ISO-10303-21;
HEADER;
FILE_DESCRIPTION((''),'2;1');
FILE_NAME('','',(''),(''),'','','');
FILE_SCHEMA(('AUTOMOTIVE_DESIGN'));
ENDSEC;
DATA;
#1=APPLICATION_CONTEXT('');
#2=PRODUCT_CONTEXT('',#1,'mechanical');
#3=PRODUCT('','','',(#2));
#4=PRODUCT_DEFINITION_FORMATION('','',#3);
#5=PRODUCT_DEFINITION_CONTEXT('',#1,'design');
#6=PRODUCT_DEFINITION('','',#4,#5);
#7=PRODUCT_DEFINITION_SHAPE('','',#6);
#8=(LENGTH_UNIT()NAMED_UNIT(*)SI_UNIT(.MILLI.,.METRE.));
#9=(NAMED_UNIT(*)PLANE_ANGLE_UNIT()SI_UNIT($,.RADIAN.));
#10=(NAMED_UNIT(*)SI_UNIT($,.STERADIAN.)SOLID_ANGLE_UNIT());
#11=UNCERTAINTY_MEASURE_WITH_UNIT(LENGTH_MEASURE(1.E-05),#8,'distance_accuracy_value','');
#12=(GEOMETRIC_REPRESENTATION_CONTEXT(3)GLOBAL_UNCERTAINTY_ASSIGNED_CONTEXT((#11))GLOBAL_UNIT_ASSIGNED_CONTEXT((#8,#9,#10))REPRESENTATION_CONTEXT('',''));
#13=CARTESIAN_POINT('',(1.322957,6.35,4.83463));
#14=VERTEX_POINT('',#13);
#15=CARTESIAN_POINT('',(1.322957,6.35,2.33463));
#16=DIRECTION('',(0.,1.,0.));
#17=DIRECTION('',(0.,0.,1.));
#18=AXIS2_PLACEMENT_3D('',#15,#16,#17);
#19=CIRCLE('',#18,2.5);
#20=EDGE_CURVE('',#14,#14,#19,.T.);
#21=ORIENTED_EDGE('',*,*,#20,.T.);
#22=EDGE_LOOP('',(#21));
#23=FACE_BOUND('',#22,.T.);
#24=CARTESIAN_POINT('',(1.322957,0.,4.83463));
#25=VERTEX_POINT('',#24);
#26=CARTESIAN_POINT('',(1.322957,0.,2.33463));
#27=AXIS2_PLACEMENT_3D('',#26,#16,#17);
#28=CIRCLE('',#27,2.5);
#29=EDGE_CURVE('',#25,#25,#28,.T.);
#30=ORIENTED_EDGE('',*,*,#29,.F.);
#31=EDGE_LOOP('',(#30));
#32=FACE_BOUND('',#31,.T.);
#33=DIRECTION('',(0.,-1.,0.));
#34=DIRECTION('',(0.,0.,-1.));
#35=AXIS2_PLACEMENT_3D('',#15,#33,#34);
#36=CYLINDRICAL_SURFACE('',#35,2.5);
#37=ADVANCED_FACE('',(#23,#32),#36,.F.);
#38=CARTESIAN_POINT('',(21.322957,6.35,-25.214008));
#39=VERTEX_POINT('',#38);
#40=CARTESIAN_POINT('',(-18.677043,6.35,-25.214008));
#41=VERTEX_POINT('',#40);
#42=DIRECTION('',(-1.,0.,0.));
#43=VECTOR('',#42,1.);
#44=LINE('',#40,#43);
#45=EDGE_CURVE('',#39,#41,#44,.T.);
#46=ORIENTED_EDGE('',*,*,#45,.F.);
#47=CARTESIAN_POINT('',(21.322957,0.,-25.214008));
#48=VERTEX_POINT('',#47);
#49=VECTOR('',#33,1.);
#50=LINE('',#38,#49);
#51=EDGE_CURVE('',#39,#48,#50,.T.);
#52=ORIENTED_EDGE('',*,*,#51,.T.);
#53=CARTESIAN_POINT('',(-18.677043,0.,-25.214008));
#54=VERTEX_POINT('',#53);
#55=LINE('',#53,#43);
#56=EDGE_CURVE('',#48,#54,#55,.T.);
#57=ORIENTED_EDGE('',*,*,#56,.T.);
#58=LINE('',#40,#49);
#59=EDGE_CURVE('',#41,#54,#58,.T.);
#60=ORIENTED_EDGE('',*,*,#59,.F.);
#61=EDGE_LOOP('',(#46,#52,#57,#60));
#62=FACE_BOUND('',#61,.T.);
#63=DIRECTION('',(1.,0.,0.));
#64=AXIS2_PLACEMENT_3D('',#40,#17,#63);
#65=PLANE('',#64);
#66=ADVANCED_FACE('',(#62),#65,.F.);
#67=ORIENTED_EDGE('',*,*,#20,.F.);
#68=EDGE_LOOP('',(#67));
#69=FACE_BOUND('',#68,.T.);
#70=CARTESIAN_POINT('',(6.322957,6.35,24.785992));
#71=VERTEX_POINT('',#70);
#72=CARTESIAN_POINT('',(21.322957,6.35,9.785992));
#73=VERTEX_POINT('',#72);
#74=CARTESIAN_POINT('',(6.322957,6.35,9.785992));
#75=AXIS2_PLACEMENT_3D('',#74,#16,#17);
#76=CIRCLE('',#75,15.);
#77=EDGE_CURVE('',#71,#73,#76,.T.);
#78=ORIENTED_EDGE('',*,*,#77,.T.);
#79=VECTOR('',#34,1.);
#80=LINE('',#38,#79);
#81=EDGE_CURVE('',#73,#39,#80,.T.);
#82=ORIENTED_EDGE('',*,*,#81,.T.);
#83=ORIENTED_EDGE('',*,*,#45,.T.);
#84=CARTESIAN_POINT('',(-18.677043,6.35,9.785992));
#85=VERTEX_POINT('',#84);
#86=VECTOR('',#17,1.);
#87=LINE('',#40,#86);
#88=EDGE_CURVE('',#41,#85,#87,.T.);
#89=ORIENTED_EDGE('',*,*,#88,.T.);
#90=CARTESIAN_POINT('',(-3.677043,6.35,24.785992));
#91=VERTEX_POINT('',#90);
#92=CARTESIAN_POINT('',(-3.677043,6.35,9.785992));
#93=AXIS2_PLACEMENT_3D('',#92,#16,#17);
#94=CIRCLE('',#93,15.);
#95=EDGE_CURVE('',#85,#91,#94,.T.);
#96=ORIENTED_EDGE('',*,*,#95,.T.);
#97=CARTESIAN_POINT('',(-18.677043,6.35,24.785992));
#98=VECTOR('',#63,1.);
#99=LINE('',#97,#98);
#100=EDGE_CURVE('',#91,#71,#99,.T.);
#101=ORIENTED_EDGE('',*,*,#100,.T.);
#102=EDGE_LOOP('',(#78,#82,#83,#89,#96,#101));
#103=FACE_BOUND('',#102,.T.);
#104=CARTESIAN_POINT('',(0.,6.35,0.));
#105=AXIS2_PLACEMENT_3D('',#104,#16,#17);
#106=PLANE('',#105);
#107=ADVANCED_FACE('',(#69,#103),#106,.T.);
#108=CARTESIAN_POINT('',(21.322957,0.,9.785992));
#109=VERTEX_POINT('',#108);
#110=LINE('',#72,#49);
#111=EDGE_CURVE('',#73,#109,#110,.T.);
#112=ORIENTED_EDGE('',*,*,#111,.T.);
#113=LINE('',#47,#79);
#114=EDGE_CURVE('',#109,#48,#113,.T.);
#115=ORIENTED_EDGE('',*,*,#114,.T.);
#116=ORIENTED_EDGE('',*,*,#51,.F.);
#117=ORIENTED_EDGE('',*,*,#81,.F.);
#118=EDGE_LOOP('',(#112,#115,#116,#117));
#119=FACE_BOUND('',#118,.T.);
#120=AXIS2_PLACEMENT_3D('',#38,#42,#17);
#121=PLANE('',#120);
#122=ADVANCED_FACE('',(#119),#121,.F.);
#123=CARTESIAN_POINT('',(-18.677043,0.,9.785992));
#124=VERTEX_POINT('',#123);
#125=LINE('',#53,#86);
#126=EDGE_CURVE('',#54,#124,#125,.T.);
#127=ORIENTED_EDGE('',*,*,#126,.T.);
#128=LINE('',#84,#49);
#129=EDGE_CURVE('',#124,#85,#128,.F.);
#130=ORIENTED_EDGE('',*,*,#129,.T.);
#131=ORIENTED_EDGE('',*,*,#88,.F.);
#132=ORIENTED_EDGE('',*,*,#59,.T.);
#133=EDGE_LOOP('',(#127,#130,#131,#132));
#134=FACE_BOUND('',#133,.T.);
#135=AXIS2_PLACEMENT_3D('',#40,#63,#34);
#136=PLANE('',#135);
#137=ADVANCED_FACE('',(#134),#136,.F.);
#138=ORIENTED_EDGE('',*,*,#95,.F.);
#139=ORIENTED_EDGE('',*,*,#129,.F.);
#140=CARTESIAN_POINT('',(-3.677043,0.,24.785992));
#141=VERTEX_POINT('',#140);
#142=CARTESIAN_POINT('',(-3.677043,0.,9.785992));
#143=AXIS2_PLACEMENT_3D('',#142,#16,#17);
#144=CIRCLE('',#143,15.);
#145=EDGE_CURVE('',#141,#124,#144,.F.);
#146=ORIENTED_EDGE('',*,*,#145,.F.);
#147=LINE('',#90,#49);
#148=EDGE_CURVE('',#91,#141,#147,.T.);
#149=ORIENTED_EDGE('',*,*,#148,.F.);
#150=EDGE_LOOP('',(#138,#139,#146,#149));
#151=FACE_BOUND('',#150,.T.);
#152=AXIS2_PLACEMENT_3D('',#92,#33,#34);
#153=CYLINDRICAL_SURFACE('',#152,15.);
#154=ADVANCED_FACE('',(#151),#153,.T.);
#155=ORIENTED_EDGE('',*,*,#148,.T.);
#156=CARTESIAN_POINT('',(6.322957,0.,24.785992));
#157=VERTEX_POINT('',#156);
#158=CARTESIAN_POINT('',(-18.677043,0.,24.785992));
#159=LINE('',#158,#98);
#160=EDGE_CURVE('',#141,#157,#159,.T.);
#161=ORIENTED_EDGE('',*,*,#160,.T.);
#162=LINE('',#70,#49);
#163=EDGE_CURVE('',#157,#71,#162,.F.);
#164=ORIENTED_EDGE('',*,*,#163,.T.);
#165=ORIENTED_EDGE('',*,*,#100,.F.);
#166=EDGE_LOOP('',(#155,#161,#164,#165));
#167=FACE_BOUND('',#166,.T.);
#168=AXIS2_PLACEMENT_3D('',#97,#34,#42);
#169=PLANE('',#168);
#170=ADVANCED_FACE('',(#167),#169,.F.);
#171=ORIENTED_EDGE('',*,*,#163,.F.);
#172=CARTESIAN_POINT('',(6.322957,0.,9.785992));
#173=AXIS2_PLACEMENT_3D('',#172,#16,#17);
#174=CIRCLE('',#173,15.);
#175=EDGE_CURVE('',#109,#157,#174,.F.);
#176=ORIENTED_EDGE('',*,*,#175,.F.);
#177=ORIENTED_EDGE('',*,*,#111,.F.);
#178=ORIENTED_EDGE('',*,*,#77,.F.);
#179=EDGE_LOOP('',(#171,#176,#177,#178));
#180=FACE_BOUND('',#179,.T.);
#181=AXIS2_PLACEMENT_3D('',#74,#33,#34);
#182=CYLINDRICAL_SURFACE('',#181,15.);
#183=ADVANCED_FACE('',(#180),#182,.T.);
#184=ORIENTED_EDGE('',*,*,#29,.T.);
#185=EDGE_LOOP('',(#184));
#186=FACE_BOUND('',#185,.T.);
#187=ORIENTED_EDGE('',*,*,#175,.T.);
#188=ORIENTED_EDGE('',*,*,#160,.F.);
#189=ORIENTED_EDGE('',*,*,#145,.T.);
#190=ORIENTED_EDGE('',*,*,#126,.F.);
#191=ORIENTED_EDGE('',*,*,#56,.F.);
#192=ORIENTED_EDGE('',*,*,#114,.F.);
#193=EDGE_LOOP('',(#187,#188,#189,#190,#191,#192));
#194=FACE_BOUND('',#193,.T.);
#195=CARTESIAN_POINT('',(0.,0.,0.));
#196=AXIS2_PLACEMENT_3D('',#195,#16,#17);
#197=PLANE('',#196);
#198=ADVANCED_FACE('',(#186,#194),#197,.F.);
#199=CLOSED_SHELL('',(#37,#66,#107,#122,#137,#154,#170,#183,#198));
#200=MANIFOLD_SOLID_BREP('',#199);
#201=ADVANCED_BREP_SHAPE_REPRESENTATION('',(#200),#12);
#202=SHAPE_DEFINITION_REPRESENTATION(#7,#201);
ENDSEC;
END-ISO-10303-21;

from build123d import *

# Parameters (mm, degrees)
SKETCH1_W           = 40
SKETCH1_H           = 50
SKETCH1_R           = 2.5
BOSS_EXTRUDE1_DEPTH = 6.35
FILLET1_R           = 15


with BuildPart() as part:
    # Sketch1 → Boss-Extrude1 (new body)
    with BuildSketch(Plane(origin=(0, 0, 0), x_dir=(1, 0, 0), z_dir=(0, 1, 0))):
        with Locations((1.322957198, 0.214007782)):
            Rectangle(SKETCH1_W, SKETCH1_H)
        with Locations(Location((1.322957198, -2.33463035, 0), (0, 0, 270))):
            Circle(SKETCH1_R, mode=Mode.SUBTRACT)
    extrude(amount=BOSS_EXTRUDE1_DEPTH)

    # Fillet1
    fillet1_edges = [part.edges().sort_by_distance(p)[0] for p in [
        (21.322957198, 3.175, 24.785992218),
        (-18.677042802, 3.175, 24.785992218),
    ]]
    fillet(fillet1_edges, radius=FILLET1_R)


solid = part.part
